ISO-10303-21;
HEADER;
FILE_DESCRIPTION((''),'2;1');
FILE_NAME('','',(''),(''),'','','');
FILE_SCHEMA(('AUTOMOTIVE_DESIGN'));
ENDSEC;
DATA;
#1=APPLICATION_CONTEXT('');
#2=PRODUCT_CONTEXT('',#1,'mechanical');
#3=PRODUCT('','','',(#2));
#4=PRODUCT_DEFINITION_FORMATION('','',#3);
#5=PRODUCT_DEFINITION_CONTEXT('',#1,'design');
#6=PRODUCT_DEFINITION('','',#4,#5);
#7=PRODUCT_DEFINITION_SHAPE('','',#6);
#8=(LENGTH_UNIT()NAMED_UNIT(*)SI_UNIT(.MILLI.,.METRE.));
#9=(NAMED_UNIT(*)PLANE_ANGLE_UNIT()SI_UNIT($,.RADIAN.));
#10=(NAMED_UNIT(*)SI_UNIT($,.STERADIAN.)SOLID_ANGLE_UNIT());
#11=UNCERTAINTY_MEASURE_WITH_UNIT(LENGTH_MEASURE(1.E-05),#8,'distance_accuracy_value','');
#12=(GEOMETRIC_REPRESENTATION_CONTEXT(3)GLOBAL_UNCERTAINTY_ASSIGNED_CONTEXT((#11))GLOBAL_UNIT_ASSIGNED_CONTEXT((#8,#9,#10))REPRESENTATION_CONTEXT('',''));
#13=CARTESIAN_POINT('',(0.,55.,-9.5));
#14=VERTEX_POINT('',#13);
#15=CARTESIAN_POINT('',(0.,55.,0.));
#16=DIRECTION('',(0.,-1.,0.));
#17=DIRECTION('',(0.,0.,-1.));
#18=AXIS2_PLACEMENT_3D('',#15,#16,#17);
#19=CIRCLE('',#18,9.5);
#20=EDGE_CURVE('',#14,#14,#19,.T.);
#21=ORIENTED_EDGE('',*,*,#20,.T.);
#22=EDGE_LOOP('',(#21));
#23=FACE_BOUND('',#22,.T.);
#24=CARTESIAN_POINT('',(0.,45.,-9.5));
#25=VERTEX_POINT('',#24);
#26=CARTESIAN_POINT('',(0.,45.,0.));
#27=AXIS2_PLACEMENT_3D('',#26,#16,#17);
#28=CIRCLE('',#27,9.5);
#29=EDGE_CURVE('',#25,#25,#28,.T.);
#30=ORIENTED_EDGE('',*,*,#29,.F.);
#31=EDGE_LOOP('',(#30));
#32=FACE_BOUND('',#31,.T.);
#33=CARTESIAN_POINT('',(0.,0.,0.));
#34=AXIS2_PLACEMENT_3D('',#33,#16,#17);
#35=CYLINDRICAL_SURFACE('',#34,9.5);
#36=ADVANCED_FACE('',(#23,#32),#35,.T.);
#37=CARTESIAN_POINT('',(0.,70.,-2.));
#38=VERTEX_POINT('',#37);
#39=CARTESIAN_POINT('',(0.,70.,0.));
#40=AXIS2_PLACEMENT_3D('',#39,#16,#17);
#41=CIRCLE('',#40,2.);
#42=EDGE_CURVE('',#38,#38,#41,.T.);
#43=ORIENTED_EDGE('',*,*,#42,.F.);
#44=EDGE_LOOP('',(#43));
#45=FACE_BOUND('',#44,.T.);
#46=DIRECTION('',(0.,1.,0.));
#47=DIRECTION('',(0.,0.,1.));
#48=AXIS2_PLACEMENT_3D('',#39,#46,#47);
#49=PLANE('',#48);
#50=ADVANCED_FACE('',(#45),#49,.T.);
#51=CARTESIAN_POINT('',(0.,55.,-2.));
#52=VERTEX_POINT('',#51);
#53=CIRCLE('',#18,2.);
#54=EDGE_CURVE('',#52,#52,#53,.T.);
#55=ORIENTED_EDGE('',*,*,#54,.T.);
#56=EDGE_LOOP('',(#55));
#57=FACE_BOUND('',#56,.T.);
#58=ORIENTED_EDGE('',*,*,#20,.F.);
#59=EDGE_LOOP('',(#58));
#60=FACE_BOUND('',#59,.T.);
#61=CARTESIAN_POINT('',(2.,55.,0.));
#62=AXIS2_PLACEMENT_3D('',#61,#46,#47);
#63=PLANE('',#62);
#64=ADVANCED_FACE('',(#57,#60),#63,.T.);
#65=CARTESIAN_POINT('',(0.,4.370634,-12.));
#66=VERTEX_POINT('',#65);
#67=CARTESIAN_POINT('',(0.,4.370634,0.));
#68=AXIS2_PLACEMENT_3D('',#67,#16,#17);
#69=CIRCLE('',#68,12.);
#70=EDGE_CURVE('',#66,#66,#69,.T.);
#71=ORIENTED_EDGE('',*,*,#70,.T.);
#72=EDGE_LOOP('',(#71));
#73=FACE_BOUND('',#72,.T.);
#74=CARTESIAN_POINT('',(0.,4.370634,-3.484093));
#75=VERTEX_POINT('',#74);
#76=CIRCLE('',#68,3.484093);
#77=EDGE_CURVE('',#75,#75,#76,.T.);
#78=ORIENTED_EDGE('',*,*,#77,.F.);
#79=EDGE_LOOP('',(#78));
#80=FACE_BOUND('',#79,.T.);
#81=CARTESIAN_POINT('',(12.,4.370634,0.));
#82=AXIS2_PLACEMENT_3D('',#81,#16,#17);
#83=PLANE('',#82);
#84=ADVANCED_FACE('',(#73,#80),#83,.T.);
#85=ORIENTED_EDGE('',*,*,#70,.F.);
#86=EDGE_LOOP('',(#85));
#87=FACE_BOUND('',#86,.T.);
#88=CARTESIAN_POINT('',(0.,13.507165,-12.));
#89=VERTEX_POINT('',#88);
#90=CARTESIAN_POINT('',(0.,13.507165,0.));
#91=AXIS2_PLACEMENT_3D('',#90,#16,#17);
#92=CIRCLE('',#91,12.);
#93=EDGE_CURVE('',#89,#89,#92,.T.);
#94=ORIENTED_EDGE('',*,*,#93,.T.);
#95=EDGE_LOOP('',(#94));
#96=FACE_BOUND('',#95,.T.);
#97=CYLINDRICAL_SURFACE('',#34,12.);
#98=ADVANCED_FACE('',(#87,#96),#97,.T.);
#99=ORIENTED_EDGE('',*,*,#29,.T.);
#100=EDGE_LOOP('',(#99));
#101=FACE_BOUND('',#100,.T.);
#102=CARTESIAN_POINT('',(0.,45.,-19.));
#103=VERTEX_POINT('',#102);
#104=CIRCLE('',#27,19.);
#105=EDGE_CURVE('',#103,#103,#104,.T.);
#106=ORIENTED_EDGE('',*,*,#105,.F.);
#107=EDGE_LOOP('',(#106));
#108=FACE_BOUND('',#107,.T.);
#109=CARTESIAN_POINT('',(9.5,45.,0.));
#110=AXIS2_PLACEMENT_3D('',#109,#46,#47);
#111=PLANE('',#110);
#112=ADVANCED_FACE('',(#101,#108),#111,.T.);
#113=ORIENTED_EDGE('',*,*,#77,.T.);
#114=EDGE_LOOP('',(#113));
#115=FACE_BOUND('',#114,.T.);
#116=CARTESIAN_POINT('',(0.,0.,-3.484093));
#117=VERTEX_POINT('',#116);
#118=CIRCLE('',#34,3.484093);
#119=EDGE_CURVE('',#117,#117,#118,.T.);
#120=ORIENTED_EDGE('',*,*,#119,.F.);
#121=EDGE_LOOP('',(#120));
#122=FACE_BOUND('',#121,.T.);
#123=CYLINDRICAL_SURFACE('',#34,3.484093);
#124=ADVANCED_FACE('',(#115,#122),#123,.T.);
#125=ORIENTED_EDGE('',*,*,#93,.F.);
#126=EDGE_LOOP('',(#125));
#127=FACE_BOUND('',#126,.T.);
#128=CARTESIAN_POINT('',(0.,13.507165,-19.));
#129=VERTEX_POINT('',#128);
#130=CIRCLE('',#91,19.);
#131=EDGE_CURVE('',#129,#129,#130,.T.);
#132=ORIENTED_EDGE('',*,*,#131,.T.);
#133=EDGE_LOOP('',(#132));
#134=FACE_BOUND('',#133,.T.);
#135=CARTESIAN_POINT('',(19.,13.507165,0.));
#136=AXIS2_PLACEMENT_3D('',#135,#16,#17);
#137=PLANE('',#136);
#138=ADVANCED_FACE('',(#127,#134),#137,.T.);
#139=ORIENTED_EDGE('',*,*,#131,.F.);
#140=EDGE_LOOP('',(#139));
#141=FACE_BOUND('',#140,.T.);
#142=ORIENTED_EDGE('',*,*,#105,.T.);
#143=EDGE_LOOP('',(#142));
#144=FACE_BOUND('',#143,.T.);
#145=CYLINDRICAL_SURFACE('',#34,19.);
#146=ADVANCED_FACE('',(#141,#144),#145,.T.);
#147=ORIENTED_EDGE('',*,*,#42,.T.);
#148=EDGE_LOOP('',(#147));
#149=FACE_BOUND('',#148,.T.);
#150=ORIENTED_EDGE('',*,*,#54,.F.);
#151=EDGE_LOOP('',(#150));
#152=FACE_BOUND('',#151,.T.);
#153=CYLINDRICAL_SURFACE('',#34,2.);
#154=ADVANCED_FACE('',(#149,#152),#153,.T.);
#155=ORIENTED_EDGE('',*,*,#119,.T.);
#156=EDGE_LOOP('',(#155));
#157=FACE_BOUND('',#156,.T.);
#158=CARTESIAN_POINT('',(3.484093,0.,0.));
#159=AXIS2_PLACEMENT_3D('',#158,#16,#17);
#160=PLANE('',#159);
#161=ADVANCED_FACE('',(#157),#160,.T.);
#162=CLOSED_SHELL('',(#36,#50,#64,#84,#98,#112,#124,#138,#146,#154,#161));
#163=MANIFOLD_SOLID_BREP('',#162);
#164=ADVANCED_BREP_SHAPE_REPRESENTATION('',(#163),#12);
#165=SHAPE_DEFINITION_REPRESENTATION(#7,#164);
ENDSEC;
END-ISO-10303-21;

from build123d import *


with BuildPart() as part:
    # Sketch2 → Revolve1 (revolve)
    with BuildSketch(Plane.XY, mode=Mode.PRIVATE) as revolve1_sk:
        Polygon((0, 0), (0, 70), (2, 70), (2, 55), (9.5, 55), (9.5, 45), (19, 45), (19, 13.507164615), (12, 13.507164615), (12, 4.370634376), (3.484092997, 4.370634376), (3.484092997, 0), align=None)
    revolve(revolve1_sk.sketch.rotate(Axis((0, 0, 0), (0, 1, 0)), 90), axis=Axis((0, 0, 0), (0, 1, 0)))


solid = part.part
